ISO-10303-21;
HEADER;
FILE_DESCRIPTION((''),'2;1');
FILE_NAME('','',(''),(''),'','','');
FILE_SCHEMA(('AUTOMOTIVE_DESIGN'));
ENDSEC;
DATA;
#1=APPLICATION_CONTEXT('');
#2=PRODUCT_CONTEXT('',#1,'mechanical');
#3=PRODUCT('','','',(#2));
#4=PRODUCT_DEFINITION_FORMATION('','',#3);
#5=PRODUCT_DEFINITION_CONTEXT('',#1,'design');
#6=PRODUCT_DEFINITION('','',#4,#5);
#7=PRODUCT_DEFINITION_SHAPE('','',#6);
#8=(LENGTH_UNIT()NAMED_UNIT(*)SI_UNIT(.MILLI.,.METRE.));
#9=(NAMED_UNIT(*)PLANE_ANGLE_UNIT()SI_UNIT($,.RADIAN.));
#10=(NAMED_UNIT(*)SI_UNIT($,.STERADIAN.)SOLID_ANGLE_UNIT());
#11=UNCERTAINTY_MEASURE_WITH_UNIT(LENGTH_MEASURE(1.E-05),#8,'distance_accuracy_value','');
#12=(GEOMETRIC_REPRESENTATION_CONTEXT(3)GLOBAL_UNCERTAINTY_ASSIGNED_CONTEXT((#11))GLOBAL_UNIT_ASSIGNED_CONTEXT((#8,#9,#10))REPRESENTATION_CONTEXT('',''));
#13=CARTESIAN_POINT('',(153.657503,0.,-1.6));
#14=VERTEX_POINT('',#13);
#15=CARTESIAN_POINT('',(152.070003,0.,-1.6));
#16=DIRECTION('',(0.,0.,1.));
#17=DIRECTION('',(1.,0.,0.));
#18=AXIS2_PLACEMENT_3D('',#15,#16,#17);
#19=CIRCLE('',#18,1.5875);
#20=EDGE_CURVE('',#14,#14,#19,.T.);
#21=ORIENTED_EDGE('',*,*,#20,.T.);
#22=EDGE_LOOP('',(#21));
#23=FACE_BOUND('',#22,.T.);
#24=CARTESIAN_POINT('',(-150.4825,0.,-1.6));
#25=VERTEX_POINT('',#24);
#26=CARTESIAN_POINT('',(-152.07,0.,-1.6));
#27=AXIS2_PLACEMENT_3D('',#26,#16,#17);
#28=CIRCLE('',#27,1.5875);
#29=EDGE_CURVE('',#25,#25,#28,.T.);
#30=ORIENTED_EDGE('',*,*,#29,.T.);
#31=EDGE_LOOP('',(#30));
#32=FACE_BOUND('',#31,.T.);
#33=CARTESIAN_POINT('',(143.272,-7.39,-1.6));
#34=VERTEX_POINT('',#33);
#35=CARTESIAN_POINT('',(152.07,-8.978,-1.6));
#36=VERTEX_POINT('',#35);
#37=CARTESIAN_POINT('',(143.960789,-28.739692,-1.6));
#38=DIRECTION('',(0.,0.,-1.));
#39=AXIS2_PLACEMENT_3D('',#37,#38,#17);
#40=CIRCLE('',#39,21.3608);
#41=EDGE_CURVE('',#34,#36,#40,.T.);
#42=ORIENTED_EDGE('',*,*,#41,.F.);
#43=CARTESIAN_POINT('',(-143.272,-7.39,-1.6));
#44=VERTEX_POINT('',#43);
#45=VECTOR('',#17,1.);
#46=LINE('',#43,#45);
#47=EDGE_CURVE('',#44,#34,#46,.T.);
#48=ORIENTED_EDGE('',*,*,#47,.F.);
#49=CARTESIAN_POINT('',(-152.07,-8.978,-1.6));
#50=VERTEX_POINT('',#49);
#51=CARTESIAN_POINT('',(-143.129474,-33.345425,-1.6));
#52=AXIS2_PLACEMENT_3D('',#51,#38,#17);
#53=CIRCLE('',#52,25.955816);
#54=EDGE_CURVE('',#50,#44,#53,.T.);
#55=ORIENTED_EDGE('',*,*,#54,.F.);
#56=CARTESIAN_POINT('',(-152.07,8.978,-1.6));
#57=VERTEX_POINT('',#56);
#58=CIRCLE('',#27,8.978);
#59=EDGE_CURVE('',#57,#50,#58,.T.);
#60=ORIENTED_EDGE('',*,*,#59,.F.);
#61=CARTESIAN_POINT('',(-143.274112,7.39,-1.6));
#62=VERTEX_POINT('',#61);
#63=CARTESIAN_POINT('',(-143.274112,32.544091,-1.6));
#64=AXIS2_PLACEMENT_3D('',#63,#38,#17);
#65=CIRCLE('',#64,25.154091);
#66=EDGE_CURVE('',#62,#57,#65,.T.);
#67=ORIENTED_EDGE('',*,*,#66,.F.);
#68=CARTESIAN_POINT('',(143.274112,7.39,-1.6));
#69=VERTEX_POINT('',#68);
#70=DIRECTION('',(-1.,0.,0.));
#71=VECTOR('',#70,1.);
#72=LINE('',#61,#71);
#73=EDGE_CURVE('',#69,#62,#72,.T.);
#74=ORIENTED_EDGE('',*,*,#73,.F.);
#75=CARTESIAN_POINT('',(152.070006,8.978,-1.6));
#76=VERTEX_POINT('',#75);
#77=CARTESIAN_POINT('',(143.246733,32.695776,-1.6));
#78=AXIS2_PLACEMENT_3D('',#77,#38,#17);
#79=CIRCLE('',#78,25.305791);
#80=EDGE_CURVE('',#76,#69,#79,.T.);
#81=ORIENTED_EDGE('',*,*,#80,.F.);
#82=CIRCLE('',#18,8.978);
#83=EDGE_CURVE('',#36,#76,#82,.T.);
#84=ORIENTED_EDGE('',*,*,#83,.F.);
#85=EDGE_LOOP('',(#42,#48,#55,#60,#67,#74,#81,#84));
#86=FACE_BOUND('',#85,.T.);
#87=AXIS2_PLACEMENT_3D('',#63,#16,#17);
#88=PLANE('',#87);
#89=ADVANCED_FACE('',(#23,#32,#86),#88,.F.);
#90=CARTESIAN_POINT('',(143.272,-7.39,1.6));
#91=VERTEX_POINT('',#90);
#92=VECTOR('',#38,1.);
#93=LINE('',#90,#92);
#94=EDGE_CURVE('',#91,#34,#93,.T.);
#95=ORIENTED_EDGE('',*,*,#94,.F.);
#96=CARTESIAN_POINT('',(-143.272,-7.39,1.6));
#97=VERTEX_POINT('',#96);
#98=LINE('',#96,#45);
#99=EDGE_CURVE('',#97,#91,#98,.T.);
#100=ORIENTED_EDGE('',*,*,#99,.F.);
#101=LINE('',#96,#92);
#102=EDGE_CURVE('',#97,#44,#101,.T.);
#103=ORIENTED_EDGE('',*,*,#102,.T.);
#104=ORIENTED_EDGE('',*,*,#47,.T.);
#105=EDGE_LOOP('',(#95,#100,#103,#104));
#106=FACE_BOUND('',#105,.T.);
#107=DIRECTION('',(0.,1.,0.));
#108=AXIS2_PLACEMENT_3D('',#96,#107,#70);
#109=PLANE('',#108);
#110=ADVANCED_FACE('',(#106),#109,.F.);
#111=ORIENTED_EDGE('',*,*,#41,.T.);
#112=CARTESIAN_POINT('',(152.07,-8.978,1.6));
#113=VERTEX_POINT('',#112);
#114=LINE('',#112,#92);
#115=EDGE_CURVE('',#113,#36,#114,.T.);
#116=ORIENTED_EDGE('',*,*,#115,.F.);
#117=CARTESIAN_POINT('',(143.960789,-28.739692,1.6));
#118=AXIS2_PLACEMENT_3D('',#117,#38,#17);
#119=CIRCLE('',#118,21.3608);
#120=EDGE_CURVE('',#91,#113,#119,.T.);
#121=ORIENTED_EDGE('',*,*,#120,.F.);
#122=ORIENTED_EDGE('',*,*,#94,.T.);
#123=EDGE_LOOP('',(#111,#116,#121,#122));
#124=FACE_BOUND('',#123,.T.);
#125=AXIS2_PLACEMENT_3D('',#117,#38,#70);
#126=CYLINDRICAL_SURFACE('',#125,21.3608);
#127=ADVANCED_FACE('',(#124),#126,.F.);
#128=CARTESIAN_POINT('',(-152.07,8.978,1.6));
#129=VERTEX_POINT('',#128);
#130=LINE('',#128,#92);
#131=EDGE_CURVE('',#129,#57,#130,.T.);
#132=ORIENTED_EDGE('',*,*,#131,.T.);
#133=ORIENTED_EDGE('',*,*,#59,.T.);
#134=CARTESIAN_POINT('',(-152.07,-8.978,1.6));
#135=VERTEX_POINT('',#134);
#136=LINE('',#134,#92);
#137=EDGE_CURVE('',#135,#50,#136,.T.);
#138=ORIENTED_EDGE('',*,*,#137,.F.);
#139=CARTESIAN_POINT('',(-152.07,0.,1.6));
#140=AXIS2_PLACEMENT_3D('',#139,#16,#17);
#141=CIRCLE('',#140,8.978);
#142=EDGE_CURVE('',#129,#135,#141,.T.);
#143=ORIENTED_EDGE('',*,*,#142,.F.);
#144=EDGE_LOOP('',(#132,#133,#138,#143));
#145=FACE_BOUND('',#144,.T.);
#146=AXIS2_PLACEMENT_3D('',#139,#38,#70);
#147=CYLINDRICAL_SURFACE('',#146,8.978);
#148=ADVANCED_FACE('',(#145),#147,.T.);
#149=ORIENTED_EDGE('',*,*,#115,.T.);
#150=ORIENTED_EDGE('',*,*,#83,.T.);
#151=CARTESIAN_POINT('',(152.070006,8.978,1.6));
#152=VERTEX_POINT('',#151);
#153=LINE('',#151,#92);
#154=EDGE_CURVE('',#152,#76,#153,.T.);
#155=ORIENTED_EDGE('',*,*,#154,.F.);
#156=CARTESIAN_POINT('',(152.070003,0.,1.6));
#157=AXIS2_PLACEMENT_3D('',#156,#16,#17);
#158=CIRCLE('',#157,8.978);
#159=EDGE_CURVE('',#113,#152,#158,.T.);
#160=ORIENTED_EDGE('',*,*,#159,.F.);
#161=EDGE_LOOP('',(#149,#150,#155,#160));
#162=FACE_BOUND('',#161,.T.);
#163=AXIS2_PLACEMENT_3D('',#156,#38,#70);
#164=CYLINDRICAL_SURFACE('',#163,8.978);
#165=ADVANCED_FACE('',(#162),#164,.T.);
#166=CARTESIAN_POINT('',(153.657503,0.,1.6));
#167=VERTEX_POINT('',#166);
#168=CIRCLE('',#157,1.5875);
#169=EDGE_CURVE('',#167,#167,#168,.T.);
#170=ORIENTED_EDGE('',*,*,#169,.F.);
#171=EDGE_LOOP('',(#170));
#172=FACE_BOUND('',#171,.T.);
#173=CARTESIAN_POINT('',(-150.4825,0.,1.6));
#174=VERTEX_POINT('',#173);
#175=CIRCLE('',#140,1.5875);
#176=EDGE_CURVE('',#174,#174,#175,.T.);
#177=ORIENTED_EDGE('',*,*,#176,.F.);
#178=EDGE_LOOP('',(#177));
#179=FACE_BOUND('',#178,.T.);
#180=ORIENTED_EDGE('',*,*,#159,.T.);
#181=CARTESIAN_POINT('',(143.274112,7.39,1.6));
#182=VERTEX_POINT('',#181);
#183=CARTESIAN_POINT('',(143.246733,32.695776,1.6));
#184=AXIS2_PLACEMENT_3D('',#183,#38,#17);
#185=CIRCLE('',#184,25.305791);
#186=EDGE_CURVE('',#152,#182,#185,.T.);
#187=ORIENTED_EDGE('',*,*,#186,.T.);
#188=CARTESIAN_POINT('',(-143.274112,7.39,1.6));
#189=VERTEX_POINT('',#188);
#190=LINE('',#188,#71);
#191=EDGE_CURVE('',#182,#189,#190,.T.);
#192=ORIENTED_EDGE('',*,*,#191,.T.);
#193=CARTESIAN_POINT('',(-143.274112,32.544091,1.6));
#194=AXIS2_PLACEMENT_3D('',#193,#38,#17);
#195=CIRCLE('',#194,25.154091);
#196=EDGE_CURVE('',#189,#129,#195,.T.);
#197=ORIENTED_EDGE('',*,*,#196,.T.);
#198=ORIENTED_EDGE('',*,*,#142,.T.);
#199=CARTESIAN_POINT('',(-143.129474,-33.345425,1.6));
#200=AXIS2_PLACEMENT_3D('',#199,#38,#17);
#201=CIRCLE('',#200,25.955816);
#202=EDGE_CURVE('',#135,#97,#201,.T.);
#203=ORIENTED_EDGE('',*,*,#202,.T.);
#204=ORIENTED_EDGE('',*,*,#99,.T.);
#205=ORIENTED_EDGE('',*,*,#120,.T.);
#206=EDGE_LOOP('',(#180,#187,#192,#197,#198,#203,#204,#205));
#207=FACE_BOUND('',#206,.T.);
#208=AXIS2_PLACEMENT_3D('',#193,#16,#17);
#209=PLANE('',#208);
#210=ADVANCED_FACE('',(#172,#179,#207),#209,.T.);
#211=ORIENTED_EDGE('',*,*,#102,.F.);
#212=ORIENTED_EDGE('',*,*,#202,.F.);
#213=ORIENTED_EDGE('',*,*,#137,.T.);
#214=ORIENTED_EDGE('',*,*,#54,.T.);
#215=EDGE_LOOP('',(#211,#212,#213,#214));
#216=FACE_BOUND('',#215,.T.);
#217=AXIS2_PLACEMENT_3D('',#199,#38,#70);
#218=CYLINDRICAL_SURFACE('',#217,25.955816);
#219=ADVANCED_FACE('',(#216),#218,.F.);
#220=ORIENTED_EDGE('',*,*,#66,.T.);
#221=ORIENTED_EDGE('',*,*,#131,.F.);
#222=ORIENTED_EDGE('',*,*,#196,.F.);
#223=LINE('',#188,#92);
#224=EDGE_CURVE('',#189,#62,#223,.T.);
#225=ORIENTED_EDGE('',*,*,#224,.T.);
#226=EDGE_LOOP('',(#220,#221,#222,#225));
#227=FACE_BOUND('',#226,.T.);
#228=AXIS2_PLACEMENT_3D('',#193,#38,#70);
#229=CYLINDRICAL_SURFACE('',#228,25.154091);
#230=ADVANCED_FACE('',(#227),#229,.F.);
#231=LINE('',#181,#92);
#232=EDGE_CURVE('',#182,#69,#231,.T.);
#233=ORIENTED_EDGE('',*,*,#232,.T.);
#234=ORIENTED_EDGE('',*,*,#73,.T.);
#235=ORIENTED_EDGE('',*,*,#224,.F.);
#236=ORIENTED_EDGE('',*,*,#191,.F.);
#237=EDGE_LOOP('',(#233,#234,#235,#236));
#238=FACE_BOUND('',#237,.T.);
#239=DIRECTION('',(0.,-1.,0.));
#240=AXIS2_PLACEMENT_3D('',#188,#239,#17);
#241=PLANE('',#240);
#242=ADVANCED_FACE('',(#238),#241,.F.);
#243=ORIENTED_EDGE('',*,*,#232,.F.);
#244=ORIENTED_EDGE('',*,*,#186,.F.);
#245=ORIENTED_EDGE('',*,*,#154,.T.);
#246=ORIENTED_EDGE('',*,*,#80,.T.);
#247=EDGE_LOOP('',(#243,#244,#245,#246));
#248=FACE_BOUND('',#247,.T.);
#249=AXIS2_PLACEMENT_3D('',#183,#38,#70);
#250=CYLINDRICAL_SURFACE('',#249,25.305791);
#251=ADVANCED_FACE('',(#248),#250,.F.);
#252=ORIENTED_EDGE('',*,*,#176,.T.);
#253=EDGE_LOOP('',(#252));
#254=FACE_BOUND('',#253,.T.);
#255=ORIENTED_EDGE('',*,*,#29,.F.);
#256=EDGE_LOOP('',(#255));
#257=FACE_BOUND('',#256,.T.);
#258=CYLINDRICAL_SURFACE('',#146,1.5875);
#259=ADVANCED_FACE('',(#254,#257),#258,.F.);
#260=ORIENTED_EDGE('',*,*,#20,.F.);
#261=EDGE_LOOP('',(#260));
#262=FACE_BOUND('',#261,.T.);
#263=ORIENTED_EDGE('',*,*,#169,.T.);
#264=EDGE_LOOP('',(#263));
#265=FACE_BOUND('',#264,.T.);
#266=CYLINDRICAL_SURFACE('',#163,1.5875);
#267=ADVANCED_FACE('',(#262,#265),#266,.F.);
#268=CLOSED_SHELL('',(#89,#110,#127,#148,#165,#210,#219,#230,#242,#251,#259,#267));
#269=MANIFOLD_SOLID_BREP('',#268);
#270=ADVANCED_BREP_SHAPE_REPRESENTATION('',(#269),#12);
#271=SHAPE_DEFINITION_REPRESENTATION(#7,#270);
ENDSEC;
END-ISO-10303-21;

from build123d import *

# Parameters (mm, degrees)
SKETCH1_R           = 1.5875
BOSS_EXTRUDE1_DEPTH = 1.6


with BuildPart() as part:
    # Sketch1 → Boss-Extrude1 (new, symmetric)
    with BuildSketch(Plane.XY):
        with BuildLine():
            Line((-143.274111577, 7.39), (143.274111608, 7.39))
            ThreePointArc((143.274111608, 7.39), (147.74272521, 7.792581352), (152.070006331, 8.978))
            ThreePointArc((152.070006331, 8.978), (161.04800313, -3.115e-06), (152.070000015, -8.977999914))
            ThreePointArc((152.070000015, -8.977999914), (147.755008516, -7.718567431), (143.272000016, -7.389999914))
            Line((143.272000016, -7.389999914), (-143.271999985, -7.389999914))
            ThreePointArc((-143.271999985, -7.389999914), (-147.739885513, -7.802353266), (-152.069999985, -8.977999914))
            ThreePointArc((-152.069999985, -8.977999914), (-161.047999985, 8.6e-08), (-152.069999985, 8.978000086))
            ThreePointArc((-152.069999985, 8.978000086), (-147.743155019, 7.790183335), (-143.274111577, 7.39))
        make_face()
        with Locations((-152.069999985, 8.6e-08)):
            Circle(SKETCH1_R, mode=Mode.SUBTRACT)
        with Locations((152.070003173, 4.3e-08)):
            Circle(SKETCH1_R, mode=Mode.SUBTRACT)
    extrude(amount=BOSS_EXTRUDE1_DEPTH, both=True)


solid = part.part
